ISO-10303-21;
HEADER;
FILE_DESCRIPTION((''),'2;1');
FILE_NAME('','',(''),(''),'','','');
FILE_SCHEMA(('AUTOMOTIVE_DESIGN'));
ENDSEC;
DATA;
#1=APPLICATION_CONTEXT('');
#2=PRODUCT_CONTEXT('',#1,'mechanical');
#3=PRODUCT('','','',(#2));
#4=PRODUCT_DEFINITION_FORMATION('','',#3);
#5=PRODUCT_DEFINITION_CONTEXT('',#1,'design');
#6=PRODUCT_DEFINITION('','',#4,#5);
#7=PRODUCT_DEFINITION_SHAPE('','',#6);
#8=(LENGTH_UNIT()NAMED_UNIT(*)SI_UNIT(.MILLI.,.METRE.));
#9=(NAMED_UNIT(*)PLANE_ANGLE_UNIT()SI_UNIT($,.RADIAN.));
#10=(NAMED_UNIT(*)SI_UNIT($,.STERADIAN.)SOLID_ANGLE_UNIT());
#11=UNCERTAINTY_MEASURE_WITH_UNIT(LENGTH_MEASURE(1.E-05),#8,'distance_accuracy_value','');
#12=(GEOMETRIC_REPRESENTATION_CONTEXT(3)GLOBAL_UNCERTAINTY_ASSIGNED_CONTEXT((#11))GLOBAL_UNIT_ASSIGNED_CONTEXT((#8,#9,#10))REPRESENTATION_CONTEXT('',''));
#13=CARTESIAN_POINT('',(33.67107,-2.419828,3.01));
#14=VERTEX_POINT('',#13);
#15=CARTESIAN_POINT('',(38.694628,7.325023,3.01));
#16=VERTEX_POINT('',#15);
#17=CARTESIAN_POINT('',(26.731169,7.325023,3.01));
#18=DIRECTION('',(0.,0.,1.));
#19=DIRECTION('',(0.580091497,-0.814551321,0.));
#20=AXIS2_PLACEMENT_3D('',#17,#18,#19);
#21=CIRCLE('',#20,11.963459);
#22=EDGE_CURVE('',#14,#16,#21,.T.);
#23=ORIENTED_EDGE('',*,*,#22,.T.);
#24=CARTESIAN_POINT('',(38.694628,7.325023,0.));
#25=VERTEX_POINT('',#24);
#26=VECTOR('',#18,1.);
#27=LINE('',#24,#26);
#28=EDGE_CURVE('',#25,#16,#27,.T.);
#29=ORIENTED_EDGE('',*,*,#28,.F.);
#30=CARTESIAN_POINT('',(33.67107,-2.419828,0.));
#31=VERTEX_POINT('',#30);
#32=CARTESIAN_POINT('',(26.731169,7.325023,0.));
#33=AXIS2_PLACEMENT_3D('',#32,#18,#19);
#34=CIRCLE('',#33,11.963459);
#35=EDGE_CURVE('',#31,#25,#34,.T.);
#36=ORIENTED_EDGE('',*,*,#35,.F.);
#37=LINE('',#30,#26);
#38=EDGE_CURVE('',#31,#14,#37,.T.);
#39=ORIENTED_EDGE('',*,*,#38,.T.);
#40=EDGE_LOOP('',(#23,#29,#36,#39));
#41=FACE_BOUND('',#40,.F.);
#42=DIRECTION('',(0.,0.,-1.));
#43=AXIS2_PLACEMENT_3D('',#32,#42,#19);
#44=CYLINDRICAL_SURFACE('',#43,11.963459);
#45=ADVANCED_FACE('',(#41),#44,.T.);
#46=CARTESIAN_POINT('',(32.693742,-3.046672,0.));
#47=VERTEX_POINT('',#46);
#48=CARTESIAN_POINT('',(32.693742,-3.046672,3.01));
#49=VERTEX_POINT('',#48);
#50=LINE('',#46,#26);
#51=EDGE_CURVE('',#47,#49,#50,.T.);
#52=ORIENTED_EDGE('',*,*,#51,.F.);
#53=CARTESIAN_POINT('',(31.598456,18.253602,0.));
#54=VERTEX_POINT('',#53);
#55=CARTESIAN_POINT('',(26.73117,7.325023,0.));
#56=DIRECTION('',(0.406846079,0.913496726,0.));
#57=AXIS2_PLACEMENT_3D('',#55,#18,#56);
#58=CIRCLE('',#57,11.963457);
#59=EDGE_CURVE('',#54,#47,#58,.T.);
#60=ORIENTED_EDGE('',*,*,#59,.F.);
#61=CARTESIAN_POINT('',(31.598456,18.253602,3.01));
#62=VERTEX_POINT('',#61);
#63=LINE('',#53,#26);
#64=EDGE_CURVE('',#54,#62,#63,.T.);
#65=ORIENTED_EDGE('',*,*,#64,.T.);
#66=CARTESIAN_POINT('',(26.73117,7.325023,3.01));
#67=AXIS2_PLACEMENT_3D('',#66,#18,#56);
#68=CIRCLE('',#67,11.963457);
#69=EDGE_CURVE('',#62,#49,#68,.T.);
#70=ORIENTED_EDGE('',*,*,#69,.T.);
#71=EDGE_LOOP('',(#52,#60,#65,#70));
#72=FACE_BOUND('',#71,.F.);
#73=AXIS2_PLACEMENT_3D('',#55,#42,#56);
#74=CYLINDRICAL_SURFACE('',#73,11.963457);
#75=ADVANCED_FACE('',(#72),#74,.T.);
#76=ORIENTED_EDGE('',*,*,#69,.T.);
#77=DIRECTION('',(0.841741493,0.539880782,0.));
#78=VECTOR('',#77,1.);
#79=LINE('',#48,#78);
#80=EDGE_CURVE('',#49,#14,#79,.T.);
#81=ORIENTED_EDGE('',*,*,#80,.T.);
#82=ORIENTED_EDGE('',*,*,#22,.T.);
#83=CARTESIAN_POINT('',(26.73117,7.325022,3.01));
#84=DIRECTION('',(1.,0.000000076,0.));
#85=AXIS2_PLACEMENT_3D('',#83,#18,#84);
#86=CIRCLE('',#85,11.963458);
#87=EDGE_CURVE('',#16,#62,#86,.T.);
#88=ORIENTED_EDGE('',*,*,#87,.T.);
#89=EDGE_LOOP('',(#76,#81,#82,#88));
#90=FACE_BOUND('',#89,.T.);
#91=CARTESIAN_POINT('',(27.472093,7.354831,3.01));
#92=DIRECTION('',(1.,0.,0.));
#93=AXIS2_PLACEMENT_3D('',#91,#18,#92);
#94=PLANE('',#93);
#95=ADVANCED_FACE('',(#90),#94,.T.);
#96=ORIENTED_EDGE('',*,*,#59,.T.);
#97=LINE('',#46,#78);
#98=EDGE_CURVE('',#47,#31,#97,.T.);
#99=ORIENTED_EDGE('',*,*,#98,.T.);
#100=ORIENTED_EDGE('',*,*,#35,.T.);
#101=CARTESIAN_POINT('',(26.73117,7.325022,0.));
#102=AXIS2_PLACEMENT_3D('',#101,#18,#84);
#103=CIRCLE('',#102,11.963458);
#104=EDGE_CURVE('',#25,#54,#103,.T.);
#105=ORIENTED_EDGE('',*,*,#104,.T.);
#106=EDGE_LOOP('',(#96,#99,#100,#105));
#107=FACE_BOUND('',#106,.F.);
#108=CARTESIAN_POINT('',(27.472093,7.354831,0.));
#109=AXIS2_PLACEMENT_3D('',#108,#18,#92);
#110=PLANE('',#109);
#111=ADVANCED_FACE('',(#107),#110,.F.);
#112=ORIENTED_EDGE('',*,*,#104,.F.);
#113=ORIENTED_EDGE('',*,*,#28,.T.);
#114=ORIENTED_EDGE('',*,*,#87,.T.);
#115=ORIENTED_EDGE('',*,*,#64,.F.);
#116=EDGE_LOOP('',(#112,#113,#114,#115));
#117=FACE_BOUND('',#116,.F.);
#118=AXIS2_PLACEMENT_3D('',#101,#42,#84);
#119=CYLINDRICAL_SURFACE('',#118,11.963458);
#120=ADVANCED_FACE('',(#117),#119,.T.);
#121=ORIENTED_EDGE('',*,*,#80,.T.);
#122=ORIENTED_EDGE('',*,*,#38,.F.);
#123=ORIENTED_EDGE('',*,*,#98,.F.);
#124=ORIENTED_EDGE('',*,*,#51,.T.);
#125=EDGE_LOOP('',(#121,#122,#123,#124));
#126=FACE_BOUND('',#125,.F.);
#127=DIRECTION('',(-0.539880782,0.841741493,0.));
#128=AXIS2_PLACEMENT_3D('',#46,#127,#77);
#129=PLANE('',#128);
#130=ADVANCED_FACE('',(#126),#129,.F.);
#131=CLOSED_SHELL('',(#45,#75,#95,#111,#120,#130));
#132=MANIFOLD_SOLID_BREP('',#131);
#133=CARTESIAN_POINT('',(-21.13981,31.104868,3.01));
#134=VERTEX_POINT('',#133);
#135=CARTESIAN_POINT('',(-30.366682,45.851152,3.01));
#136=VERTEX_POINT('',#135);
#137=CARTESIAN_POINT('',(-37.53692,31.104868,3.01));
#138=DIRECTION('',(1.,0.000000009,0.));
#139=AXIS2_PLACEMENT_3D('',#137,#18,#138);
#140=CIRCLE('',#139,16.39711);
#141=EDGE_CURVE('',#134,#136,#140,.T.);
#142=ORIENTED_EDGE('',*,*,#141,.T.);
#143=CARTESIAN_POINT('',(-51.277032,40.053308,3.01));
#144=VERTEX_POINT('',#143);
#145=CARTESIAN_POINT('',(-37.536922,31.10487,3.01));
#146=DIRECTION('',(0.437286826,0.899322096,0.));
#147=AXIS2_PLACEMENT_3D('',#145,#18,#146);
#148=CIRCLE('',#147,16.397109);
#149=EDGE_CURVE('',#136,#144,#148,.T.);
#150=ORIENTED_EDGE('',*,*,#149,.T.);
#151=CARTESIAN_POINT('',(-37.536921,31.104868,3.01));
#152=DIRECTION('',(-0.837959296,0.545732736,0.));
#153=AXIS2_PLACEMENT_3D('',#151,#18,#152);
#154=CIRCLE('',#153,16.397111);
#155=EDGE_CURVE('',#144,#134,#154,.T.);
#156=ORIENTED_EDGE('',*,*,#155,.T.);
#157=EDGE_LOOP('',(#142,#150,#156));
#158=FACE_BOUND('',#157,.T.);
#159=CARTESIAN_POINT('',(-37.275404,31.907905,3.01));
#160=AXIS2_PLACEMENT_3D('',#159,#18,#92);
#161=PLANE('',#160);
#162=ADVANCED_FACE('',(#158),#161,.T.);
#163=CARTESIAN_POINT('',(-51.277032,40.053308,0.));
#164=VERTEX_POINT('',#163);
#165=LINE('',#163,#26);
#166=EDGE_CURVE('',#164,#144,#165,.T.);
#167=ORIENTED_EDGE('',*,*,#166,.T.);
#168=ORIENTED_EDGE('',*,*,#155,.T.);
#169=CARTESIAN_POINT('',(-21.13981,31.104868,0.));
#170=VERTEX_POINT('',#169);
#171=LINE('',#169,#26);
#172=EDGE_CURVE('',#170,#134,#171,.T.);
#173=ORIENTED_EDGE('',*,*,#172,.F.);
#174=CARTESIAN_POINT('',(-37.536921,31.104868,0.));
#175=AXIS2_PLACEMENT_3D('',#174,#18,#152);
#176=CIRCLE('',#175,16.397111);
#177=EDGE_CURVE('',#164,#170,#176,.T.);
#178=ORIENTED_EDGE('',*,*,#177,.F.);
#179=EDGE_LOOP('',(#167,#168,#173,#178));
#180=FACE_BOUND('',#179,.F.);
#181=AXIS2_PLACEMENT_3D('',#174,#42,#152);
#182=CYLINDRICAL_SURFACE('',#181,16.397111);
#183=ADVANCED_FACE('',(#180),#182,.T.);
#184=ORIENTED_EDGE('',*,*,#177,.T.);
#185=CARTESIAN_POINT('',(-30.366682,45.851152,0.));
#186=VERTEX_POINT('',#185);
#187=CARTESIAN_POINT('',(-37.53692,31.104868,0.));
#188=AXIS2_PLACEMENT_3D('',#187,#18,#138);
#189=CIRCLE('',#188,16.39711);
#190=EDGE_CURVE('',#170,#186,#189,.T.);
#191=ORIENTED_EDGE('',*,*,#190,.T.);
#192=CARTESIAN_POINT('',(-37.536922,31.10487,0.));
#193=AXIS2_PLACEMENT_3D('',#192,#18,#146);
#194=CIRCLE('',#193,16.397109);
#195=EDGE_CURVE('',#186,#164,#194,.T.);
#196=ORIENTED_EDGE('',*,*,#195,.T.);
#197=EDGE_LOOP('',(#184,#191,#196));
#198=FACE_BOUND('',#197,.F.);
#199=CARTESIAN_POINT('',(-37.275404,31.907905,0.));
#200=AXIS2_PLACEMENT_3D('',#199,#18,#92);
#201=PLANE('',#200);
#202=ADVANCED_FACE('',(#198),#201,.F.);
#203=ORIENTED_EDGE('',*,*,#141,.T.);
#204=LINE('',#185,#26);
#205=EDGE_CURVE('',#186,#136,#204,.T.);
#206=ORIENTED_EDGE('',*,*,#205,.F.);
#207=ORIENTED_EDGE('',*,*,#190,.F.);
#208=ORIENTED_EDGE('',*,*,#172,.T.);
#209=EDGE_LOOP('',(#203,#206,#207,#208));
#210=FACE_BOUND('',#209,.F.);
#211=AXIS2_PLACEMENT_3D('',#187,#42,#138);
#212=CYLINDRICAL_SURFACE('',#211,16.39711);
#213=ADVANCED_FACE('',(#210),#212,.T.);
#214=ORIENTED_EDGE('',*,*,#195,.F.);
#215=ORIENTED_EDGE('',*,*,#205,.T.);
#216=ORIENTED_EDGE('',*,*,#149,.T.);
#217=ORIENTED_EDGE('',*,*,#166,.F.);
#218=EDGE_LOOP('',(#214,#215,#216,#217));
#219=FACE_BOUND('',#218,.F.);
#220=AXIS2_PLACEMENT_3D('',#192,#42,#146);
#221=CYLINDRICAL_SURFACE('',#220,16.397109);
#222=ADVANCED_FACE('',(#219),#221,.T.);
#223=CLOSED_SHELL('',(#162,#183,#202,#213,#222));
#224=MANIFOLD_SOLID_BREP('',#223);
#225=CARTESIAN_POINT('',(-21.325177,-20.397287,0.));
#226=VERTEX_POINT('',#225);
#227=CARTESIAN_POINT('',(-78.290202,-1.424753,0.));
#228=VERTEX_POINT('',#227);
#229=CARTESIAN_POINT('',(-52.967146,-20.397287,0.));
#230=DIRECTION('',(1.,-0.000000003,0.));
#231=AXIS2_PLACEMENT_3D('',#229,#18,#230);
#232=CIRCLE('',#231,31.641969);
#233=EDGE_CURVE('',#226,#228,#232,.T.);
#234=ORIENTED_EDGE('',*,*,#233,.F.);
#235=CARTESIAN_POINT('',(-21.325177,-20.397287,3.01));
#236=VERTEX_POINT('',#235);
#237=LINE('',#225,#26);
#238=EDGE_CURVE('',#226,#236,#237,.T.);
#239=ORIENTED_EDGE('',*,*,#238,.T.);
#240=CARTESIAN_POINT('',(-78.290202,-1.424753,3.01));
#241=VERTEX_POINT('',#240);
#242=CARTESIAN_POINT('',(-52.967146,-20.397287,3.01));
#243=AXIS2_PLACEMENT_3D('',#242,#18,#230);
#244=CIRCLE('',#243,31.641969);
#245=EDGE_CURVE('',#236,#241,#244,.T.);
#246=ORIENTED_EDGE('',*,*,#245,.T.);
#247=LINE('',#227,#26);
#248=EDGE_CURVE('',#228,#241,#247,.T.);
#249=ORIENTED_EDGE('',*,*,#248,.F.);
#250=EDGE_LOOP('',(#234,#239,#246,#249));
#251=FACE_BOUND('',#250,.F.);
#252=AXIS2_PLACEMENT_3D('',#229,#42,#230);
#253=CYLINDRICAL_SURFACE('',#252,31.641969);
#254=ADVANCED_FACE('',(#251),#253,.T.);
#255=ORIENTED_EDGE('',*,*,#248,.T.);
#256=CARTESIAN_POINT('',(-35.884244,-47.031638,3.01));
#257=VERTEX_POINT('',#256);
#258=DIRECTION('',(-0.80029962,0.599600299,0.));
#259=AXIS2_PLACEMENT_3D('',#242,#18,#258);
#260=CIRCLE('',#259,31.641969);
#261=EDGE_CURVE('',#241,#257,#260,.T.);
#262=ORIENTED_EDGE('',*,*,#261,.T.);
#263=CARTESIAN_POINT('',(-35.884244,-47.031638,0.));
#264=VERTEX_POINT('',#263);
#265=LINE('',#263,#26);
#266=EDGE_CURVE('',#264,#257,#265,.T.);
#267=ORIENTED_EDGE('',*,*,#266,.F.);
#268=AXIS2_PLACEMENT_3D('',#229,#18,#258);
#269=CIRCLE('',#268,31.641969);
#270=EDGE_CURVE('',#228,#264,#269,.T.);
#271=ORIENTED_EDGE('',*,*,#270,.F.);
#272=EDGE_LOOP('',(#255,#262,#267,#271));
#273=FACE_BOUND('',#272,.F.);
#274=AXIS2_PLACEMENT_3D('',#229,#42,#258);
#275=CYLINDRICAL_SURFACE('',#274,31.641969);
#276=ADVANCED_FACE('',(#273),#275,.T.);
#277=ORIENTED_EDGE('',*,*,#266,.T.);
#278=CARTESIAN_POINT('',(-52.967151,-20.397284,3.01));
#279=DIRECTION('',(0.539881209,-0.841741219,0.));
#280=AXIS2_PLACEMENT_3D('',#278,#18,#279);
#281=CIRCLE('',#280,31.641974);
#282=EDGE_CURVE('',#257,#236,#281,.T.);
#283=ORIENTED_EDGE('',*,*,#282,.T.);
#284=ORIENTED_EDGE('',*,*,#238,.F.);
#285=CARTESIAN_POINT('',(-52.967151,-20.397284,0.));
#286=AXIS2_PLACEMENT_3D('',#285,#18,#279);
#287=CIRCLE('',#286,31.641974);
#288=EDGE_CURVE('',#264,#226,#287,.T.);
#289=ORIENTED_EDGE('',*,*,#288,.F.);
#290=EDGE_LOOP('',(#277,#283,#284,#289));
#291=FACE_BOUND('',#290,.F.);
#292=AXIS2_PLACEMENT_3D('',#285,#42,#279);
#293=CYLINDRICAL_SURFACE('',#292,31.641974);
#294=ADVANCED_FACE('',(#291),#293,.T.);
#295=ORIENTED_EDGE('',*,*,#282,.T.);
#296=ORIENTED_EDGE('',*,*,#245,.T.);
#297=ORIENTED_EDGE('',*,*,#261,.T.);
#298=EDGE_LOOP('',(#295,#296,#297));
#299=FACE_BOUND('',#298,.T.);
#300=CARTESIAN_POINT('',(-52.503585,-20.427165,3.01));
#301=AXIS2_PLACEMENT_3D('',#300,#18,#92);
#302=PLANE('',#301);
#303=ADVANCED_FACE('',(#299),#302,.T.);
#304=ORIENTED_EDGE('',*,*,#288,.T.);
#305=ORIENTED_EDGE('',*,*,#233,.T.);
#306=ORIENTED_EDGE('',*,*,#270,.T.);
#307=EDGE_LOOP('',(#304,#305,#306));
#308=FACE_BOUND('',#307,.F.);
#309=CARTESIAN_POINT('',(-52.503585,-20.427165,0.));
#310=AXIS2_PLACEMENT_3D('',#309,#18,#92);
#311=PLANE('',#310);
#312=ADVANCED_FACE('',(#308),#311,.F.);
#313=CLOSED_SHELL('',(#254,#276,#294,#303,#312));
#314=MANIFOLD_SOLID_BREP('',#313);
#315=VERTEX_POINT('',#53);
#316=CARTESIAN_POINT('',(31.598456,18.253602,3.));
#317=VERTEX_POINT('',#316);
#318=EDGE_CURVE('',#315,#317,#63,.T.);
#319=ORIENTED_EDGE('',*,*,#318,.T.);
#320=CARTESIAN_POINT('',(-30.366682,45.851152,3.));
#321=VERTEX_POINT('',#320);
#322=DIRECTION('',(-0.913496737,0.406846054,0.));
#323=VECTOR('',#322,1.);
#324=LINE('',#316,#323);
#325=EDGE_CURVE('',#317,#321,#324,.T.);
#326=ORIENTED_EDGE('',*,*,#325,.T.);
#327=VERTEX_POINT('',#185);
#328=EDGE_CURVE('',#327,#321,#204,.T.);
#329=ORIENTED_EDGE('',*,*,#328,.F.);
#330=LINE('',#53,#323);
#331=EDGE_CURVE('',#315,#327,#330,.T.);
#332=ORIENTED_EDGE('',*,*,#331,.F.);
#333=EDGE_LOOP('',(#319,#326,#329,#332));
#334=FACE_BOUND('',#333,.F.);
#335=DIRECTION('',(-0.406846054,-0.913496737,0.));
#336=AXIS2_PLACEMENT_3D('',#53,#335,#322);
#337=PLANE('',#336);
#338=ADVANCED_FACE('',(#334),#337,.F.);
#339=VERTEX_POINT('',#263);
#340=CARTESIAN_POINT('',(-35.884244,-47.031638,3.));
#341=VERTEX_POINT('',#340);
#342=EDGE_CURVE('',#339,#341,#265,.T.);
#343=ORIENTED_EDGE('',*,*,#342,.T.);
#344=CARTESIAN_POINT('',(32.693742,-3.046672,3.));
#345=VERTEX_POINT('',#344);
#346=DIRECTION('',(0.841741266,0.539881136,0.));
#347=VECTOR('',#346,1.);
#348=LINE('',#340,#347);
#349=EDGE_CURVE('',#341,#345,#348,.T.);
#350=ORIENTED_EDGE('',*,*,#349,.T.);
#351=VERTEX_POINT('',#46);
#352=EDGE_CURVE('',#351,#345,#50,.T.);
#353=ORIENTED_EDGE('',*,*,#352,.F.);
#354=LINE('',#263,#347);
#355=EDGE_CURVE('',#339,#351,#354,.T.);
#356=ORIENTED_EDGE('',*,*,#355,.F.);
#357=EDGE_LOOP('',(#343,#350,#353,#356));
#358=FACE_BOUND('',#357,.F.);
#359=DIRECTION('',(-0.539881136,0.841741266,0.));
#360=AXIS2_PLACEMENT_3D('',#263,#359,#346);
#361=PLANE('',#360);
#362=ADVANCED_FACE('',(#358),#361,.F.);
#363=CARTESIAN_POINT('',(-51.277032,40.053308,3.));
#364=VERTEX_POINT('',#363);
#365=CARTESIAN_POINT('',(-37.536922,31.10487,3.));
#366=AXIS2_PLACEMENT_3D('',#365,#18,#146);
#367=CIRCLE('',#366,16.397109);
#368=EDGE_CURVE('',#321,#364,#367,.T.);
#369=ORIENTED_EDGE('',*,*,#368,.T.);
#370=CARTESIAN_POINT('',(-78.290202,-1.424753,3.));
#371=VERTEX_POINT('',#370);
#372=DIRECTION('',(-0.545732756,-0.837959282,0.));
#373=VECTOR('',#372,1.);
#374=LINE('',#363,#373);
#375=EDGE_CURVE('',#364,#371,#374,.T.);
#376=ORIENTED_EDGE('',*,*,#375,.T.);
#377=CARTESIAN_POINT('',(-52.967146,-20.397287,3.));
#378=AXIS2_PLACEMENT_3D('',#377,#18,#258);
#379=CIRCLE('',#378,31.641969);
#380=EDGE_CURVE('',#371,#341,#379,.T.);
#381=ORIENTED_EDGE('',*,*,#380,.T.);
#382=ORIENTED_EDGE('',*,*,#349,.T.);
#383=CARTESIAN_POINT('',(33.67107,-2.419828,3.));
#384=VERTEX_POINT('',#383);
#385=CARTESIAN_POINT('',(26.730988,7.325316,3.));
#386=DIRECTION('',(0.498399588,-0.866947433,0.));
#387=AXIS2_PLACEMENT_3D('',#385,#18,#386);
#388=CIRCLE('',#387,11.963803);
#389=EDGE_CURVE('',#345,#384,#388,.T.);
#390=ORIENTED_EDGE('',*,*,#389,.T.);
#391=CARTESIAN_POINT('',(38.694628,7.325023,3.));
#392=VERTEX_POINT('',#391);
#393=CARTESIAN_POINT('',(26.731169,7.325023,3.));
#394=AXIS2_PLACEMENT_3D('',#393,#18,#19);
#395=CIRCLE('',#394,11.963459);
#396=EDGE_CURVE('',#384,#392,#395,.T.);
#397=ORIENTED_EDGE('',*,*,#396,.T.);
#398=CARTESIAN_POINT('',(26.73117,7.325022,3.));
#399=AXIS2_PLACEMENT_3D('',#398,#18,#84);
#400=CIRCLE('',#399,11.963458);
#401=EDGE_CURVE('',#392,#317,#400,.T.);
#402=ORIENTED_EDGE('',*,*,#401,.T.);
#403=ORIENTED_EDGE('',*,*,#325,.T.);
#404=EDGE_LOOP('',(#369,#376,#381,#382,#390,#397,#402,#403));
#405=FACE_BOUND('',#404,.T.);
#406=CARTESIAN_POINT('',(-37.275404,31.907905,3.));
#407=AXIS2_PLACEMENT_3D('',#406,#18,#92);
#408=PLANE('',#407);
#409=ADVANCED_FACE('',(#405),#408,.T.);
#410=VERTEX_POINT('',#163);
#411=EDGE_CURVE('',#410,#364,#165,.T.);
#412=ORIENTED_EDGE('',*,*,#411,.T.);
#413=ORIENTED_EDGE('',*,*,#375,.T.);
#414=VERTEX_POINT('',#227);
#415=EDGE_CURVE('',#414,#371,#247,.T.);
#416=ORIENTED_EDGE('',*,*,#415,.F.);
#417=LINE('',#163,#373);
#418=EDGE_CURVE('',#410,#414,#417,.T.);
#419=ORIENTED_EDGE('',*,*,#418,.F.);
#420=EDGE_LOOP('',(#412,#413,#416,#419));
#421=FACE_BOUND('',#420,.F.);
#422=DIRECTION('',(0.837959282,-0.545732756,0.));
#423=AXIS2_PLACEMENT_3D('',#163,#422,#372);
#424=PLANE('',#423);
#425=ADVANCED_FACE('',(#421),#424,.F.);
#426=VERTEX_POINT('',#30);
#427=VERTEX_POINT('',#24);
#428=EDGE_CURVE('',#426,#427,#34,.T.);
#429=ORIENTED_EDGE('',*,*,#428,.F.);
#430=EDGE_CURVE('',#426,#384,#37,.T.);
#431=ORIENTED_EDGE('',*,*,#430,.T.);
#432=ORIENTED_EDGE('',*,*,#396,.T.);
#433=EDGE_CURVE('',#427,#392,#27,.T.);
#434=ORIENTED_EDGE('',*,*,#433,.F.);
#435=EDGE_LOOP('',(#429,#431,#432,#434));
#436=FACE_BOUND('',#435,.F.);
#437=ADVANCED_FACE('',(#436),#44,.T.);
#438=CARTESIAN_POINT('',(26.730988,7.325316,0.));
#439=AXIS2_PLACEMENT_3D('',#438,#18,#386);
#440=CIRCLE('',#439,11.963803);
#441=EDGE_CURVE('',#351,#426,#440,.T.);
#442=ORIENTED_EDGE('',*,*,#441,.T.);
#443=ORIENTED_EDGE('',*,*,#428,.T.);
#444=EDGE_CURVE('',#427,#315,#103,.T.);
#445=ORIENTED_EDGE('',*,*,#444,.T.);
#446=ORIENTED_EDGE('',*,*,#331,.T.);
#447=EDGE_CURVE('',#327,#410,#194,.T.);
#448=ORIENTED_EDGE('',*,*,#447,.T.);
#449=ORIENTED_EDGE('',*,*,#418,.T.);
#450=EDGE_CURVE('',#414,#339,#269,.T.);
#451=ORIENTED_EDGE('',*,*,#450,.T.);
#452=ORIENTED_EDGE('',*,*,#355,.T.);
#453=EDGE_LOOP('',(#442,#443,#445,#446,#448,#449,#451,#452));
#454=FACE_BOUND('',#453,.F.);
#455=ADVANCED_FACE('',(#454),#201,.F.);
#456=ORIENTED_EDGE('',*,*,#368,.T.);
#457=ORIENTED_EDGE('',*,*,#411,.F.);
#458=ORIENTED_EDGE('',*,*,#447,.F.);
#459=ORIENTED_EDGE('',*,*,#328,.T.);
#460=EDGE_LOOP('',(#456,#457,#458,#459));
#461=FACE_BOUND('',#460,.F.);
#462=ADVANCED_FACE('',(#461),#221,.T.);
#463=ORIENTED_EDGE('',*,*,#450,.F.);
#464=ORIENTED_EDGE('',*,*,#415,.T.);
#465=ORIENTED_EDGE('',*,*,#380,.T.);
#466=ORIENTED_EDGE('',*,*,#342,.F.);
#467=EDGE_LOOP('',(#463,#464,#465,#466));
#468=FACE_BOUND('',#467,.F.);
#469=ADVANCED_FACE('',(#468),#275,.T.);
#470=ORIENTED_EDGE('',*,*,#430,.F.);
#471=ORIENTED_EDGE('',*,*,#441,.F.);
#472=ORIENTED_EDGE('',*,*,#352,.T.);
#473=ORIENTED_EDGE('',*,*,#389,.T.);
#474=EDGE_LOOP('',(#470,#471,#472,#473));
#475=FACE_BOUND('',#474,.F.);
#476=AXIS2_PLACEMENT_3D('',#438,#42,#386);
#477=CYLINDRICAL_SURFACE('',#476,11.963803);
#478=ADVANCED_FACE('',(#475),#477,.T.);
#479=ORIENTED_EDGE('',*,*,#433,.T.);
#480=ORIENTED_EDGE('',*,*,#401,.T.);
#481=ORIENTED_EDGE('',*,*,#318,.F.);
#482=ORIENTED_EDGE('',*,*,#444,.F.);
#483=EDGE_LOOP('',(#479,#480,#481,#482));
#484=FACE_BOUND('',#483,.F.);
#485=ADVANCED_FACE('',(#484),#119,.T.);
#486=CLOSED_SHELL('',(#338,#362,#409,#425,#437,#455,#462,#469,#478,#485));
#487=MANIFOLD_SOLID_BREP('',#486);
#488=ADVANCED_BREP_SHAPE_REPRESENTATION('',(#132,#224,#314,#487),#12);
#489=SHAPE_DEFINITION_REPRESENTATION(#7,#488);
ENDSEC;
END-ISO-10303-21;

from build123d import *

# Parameters (mm, degrees)
F1_DEPTH = 3
F2_DEPTH = 3.01


with BuildPart() as f1:
    # F0 (on Top) → F1 (new body)
    with BuildSketch(Plane.XY):
        with BuildLine():
            ThreePointArc((-51.277032, 40.053308), (-42.204207, 15.386036), (-21.13981, 31.104868))
            ThreePointArc((-21.13981, 31.104868), (-23.636625, 39.802397), (-30.366682, 45.851152))
            ThreePointArc((-30.366682, 45.851152), (-41.91808, 46.905839), (-51.277032, 40.053308))
        make_face()
        with BuildLine():
            ThreePointArc((-30.366682, 45.851152), (-23.636625, 39.802397), (-21.13981, 31.104868))
            ThreePointArc((-21.13981, 31.104868), (-42.204207, 15.386036), (-51.277032, 40.053308))
            Line((-51.277032, 40.053308), (-78.290202, -1.424753))
            ThreePointArc((-78.290202, -1.424753), (-42.968575, 9.623419), (-21.325177, -20.397287))
            ThreePointArc((-21.325177, -20.397287), (-25.202503, -35.574202), (-35.884244, -47.031638))
            Line((-35.884244, -47.031638), (32.693742, -3.046672))
            ThreePointArc((32.693742, -3.046672), (14.783498, 6.710659), (31.598456, 18.253602))
            Line((31.598456, 18.253602), (-30.366682, 45.851152))
        make_face()
        with BuildLine():
            ThreePointArc((38.694628, 7.325023), (36.76496, 13.840188), (31.598456, 18.253602))
            ThreePointArc((31.598456, 18.253602), (14.783498, 6.710659), (32.693742, -3.046672))
            Line((32.693742, -3.046672), (33.67107, -2.419828))
            ThreePointArc((33.67107, -2.419828), (37.364832, 1.843275), (38.694628, 7.325023))
        make_face()
        with BuildLine():
            ThreePointArc((-21.325177, -20.397287), (-42.968575, 9.623419), (-78.290202, -1.424753))
            ThreePointArc((-78.290202, -1.424753), (-76.139803, -41.943567), (-35.884244, -47.031638))
            ThreePointArc((-35.884244, -47.031638), (-25.202503, -35.574202), (-21.325177, -20.397287))
        make_face()
        with BuildLine():
            Line((33.67107, -2.419828), (32.693742, -3.046672))
            ThreePointArc((32.693742, -3.046672), (33.190015, -2.745113), (33.67107, -2.419828))
        make_face()
    extrude(amount=F1_DEPTH)


with BuildPart() as f2:
    # F0 (on Top) → F2 (new body)
    with BuildSketch(Plane.XY):
        with BuildLine():
            ThreePointArc((-21.325177, -20.397287), (-42.968575, 9.623419), (-78.290202, -1.424753))
            ThreePointArc((-78.290202, -1.424753), (-76.139803, -41.943567), (-35.884244, -47.031638))
            ThreePointArc((-35.884244, -47.031638), (-25.202503, -35.574202), (-21.325177, -20.397287))
        make_face()
        with BuildLine():
            ThreePointArc((38.694628, 7.325023), (36.76496, 13.840188), (31.598456, 18.253602))
            ThreePointArc((31.598456, 18.253602), (14.783498, 6.710659), (32.693742, -3.046672))
            Line((32.693742, -3.046672), (33.67107, -2.419828))
            ThreePointArc((33.67107, -2.419828), (37.364832, 1.843275), (38.694628, 7.325023))
        make_face()
        with BuildLine():
            ThreePointArc((-51.277032, 40.053308), (-42.204207, 15.386036), (-21.13981, 31.104868))
            ThreePointArc((-21.13981, 31.104868), (-23.636625, 39.802397), (-30.366682, 45.851152))
            ThreePointArc((-30.366682, 45.851152), (-41.91808, 46.905839), (-51.277032, 40.053308))
        make_face()
    extrude(amount=F2_DEPTH)


solid = Compound([f1.part, f2.part])
